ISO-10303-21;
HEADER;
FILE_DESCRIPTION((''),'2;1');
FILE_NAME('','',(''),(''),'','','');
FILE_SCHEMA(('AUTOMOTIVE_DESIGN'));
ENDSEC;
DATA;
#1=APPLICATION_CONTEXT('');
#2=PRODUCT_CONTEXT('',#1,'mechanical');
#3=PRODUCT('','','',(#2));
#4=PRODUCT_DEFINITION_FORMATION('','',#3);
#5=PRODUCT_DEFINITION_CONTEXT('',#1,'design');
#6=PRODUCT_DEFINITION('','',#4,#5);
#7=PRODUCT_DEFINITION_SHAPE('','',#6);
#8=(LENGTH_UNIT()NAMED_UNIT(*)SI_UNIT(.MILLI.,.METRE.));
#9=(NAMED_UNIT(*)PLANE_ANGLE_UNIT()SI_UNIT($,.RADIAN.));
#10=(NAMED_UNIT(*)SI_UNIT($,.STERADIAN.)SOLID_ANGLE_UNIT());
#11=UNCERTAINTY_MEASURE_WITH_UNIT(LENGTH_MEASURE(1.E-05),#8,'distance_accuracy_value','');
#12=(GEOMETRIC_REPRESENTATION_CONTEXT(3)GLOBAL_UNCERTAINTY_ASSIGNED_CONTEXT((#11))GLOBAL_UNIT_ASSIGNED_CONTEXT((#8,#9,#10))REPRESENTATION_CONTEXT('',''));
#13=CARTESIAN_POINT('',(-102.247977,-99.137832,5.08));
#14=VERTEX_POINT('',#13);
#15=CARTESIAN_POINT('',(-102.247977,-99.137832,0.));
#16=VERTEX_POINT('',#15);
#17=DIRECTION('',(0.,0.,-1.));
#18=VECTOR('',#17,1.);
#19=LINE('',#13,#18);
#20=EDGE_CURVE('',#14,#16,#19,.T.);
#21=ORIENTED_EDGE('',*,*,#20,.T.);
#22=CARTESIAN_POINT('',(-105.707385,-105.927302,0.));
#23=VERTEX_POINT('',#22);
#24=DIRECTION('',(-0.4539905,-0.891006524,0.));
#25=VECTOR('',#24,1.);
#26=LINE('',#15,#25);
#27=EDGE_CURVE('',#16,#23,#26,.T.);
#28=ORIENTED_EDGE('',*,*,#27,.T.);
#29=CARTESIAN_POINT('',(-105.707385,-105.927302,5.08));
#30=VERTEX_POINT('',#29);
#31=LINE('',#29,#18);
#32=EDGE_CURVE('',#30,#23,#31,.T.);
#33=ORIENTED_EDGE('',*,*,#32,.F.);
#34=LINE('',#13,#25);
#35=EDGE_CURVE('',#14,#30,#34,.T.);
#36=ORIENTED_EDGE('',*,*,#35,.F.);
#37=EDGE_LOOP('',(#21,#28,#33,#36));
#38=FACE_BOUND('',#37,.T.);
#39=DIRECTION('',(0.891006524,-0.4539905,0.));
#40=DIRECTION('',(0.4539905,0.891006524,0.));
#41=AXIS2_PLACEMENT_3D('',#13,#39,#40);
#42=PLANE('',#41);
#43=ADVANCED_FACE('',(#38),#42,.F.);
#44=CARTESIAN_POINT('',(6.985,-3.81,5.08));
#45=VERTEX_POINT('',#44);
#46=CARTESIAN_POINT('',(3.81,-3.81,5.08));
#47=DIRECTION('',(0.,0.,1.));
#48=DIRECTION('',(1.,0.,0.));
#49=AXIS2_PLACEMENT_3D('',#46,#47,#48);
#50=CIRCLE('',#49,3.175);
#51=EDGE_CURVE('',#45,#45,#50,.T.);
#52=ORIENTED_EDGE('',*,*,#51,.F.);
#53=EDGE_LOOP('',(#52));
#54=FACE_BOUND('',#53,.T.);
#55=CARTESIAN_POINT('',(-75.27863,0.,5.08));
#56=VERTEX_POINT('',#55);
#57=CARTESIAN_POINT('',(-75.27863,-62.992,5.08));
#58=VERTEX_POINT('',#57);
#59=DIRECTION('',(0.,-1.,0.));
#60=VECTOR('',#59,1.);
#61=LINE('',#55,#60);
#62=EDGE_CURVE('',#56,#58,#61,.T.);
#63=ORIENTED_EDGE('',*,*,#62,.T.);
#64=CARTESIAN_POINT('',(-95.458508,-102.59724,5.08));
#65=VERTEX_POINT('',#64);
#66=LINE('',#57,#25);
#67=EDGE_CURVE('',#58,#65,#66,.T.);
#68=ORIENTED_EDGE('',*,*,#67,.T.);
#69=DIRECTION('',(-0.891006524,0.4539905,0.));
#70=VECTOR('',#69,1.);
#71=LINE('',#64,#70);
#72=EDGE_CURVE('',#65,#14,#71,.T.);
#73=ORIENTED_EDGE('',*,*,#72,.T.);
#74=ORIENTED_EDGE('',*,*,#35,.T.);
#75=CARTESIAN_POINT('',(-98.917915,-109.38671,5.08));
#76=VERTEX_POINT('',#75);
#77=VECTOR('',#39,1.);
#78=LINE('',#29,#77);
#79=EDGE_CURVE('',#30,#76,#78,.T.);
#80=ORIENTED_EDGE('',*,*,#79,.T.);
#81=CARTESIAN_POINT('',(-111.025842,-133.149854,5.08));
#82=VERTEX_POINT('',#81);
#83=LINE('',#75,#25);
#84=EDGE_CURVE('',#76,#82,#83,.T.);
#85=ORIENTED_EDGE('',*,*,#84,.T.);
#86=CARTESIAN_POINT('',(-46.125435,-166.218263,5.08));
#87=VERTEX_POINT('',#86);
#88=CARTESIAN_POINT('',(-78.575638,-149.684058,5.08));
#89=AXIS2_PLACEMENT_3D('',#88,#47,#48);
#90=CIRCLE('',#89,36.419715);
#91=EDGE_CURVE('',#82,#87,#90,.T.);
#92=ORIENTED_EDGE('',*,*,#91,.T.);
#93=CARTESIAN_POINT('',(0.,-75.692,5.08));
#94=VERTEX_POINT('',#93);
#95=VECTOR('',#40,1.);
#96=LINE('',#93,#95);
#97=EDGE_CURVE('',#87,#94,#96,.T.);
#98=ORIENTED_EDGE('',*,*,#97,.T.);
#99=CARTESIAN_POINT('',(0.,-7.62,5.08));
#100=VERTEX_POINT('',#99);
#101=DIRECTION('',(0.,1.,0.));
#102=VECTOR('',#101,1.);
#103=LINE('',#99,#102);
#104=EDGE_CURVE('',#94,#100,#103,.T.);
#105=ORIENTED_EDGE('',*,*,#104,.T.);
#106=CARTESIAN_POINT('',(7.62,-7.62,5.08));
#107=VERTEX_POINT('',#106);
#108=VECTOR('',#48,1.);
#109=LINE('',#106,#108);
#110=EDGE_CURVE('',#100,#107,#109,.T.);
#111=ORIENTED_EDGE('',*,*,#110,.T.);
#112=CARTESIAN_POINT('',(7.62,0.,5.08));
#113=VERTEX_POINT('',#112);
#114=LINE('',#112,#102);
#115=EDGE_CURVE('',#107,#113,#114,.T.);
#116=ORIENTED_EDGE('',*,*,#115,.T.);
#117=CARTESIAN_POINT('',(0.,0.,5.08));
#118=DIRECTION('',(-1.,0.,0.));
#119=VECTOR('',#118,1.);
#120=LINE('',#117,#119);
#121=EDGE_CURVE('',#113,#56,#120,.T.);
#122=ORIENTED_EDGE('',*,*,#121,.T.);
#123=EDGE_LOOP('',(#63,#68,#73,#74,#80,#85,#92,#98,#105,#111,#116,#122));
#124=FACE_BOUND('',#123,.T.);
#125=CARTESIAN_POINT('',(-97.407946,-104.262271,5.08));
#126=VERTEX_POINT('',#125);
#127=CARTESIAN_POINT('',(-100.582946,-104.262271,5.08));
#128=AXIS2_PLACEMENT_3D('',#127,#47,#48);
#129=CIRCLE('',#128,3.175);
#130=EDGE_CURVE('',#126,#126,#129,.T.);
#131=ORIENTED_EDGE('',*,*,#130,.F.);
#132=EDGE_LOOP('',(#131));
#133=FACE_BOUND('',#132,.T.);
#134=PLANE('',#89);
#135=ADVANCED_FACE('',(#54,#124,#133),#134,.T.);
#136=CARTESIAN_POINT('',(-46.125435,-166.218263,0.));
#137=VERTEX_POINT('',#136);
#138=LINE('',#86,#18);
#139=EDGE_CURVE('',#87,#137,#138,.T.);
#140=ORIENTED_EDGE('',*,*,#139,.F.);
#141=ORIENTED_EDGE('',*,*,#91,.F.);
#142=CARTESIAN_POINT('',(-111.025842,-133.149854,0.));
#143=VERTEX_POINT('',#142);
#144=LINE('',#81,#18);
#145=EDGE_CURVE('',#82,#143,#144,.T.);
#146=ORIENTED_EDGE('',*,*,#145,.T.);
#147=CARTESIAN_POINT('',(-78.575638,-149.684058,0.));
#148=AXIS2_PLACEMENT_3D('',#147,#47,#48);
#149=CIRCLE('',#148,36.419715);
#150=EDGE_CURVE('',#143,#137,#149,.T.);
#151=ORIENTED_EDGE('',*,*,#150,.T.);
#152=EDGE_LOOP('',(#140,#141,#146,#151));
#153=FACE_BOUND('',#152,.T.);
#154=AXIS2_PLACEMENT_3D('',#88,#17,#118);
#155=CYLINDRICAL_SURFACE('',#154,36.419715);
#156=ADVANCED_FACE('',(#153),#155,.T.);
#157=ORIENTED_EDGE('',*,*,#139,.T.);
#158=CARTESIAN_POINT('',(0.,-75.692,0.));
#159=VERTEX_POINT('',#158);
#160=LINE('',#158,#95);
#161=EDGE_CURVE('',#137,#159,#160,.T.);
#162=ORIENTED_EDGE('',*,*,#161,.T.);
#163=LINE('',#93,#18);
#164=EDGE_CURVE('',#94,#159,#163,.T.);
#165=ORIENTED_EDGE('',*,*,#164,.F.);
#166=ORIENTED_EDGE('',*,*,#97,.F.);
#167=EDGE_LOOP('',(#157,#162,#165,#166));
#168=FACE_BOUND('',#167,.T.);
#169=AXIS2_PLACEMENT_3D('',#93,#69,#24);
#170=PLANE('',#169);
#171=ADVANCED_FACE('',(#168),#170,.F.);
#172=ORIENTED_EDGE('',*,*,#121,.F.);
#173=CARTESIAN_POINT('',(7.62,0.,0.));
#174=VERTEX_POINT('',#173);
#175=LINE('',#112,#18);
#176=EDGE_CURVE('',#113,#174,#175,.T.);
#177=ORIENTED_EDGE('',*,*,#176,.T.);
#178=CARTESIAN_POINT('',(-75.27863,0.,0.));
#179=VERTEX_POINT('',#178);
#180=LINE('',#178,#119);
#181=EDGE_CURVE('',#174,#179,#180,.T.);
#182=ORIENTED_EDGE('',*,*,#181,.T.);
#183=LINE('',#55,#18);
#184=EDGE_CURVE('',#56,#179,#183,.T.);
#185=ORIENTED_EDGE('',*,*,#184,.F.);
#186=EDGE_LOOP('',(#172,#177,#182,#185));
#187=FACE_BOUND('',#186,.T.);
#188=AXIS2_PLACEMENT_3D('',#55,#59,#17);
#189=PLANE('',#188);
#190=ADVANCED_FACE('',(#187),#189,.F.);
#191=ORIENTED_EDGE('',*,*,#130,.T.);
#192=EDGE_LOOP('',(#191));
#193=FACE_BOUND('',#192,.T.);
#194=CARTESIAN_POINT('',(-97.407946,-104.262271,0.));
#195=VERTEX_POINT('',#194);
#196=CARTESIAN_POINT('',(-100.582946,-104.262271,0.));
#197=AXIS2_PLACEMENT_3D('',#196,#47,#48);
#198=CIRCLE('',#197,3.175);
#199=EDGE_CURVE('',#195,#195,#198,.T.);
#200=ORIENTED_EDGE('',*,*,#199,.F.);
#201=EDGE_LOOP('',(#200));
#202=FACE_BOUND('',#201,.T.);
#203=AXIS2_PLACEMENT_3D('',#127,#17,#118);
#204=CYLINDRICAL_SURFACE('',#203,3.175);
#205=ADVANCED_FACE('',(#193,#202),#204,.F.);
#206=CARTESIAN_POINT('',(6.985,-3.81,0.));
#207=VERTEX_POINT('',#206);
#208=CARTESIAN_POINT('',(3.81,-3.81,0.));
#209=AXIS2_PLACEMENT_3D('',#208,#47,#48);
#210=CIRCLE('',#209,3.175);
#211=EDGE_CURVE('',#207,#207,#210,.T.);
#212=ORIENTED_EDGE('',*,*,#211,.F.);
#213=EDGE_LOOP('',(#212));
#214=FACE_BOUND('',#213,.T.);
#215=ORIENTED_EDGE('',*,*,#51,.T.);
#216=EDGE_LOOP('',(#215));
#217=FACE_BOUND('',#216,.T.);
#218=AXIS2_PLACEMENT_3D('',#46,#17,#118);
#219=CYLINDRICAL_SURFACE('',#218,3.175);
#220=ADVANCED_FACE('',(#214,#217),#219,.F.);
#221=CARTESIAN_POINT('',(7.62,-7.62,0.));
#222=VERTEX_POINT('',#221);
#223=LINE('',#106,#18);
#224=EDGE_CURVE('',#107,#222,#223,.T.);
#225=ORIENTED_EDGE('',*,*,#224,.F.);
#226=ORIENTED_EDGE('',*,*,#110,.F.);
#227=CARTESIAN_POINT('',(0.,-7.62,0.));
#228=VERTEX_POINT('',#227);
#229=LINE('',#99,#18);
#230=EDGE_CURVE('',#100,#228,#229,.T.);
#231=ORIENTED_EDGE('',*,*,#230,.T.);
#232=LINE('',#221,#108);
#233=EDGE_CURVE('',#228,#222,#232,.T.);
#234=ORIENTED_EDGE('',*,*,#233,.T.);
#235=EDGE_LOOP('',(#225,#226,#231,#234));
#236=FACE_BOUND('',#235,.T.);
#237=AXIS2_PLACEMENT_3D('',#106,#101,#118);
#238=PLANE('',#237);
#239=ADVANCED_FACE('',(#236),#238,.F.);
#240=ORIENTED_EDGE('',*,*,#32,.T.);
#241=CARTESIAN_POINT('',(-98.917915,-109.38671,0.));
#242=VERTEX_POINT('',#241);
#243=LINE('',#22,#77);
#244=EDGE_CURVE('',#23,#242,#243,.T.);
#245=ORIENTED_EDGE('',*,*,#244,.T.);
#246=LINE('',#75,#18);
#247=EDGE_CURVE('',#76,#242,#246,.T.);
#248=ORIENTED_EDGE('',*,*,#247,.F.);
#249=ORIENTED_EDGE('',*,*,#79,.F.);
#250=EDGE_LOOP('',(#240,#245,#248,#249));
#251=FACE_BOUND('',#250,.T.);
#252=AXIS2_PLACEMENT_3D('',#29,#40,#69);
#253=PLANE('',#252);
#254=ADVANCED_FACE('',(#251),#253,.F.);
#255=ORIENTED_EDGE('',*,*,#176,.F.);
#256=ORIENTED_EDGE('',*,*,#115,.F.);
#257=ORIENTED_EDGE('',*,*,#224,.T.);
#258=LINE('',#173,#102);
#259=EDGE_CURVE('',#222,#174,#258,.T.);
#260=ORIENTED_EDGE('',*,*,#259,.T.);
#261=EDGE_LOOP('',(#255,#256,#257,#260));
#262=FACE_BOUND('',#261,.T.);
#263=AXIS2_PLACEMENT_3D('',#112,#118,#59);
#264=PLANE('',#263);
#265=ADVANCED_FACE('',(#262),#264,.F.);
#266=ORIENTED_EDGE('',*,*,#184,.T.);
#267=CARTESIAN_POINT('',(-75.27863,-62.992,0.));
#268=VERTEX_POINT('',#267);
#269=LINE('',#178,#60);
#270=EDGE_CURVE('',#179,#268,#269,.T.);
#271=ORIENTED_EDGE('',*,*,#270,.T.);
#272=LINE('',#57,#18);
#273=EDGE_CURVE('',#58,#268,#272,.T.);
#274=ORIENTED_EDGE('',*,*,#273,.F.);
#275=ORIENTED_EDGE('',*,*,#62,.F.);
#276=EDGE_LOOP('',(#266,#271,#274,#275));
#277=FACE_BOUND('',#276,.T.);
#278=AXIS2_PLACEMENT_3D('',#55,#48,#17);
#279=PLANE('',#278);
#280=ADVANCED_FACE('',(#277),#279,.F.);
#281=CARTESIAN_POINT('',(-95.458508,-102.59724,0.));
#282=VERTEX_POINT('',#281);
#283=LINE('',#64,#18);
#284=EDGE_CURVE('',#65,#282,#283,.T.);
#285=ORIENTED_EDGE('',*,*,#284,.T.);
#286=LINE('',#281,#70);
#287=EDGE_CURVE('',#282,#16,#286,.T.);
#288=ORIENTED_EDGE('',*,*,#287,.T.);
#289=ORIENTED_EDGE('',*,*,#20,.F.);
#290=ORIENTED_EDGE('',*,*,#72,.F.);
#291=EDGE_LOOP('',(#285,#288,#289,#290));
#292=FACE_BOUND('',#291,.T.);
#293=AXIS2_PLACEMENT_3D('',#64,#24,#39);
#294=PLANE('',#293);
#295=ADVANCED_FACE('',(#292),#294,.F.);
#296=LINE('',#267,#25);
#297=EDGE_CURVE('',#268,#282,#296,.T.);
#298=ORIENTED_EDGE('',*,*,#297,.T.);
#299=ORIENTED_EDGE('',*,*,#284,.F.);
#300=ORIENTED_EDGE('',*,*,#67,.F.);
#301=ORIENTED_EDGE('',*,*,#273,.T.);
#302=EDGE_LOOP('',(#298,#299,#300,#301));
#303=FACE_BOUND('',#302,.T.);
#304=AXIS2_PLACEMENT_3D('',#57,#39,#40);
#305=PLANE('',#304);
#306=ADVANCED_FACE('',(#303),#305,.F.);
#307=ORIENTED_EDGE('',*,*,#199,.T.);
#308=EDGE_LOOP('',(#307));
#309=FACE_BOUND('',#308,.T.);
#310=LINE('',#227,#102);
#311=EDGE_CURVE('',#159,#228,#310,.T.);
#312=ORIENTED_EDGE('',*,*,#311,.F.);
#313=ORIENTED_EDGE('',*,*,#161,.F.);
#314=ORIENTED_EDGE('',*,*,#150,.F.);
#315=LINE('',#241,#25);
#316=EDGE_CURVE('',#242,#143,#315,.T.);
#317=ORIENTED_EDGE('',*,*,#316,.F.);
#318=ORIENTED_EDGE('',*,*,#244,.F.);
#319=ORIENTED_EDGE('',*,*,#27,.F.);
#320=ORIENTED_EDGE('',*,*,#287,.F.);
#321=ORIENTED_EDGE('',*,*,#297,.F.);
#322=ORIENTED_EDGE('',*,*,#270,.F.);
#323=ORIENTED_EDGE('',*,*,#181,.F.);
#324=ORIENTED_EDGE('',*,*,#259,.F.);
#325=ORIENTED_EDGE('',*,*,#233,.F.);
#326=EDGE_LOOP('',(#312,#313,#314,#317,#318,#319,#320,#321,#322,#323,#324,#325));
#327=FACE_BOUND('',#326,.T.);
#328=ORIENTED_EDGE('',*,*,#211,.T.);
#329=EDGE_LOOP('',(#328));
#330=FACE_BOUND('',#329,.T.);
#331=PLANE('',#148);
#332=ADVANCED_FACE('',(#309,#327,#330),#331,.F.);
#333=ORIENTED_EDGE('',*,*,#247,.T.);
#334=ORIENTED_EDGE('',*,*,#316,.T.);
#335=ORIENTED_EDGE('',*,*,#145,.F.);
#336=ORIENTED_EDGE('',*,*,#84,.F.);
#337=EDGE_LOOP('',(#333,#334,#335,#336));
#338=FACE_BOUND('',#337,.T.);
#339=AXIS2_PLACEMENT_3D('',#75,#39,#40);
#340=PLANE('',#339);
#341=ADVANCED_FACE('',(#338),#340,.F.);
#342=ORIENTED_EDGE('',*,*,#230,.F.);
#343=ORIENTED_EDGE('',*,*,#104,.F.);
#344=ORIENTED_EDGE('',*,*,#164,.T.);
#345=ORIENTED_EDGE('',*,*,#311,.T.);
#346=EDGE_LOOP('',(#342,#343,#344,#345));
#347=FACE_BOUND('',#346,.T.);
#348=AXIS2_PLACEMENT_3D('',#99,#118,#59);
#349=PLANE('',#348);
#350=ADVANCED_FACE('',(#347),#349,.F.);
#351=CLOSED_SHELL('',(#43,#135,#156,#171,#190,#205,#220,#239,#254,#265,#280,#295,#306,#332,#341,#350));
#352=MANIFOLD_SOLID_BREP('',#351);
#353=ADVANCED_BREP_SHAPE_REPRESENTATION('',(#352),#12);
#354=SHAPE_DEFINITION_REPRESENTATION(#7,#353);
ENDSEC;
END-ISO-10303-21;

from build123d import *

# Parameters (mm, degrees)
SKETCH2_R           = 3.175
BOSS_EXTRUDE1_DEPTH = 5.08


with BuildPart() as part:
    # Sketch2 → Boss-Extrude1 (new body)
    with BuildSketch(Plane.XY):
        with BuildLine():
            Line((-95.458507722, -102.59724), (-102.247977436, -99.137832392))
            Line((-102.247977436, -99.137832392), (-105.707385044, -105.927302106))
            Line((-105.707385044, -105.927302106), (-98.91791533, -109.386709714))
            Line((-98.91791533, -109.386709714), (-111.025841958, -133.149853715))
            ThreePointArc((-111.025841958, -133.149853715), (-95.109842937, -182.134261878), (-46.125434774, -166.218262858))
            Line((-46.125434774, -166.218262858), (0, -75.692))
            Line((0, -75.692), (0, -7.62))
            Line((0, -7.62), (7.62, -7.62))
            Line((7.62, -7.62), (7.62, 0))
            Line((7.62, 0), (0, 0))
            Line((0, 0), (-75.278630008, 0))
            Line((-75.278630008, 0), (-75.278630008, -62.992))
            Line((-75.278630008, -62.992), (-95.458507722, -102.59724))
        make_face()
        with Locations((3.81, -3.81)):
            Circle(SKETCH2_R, mode=Mode.SUBTRACT)
        with Locations((-100.582946383, -104.262271053)):
            Circle(SKETCH2_R, mode=Mode.SUBTRACT)
    extrude(amount=BOSS_EXTRUDE1_DEPTH)


solid = part.part
